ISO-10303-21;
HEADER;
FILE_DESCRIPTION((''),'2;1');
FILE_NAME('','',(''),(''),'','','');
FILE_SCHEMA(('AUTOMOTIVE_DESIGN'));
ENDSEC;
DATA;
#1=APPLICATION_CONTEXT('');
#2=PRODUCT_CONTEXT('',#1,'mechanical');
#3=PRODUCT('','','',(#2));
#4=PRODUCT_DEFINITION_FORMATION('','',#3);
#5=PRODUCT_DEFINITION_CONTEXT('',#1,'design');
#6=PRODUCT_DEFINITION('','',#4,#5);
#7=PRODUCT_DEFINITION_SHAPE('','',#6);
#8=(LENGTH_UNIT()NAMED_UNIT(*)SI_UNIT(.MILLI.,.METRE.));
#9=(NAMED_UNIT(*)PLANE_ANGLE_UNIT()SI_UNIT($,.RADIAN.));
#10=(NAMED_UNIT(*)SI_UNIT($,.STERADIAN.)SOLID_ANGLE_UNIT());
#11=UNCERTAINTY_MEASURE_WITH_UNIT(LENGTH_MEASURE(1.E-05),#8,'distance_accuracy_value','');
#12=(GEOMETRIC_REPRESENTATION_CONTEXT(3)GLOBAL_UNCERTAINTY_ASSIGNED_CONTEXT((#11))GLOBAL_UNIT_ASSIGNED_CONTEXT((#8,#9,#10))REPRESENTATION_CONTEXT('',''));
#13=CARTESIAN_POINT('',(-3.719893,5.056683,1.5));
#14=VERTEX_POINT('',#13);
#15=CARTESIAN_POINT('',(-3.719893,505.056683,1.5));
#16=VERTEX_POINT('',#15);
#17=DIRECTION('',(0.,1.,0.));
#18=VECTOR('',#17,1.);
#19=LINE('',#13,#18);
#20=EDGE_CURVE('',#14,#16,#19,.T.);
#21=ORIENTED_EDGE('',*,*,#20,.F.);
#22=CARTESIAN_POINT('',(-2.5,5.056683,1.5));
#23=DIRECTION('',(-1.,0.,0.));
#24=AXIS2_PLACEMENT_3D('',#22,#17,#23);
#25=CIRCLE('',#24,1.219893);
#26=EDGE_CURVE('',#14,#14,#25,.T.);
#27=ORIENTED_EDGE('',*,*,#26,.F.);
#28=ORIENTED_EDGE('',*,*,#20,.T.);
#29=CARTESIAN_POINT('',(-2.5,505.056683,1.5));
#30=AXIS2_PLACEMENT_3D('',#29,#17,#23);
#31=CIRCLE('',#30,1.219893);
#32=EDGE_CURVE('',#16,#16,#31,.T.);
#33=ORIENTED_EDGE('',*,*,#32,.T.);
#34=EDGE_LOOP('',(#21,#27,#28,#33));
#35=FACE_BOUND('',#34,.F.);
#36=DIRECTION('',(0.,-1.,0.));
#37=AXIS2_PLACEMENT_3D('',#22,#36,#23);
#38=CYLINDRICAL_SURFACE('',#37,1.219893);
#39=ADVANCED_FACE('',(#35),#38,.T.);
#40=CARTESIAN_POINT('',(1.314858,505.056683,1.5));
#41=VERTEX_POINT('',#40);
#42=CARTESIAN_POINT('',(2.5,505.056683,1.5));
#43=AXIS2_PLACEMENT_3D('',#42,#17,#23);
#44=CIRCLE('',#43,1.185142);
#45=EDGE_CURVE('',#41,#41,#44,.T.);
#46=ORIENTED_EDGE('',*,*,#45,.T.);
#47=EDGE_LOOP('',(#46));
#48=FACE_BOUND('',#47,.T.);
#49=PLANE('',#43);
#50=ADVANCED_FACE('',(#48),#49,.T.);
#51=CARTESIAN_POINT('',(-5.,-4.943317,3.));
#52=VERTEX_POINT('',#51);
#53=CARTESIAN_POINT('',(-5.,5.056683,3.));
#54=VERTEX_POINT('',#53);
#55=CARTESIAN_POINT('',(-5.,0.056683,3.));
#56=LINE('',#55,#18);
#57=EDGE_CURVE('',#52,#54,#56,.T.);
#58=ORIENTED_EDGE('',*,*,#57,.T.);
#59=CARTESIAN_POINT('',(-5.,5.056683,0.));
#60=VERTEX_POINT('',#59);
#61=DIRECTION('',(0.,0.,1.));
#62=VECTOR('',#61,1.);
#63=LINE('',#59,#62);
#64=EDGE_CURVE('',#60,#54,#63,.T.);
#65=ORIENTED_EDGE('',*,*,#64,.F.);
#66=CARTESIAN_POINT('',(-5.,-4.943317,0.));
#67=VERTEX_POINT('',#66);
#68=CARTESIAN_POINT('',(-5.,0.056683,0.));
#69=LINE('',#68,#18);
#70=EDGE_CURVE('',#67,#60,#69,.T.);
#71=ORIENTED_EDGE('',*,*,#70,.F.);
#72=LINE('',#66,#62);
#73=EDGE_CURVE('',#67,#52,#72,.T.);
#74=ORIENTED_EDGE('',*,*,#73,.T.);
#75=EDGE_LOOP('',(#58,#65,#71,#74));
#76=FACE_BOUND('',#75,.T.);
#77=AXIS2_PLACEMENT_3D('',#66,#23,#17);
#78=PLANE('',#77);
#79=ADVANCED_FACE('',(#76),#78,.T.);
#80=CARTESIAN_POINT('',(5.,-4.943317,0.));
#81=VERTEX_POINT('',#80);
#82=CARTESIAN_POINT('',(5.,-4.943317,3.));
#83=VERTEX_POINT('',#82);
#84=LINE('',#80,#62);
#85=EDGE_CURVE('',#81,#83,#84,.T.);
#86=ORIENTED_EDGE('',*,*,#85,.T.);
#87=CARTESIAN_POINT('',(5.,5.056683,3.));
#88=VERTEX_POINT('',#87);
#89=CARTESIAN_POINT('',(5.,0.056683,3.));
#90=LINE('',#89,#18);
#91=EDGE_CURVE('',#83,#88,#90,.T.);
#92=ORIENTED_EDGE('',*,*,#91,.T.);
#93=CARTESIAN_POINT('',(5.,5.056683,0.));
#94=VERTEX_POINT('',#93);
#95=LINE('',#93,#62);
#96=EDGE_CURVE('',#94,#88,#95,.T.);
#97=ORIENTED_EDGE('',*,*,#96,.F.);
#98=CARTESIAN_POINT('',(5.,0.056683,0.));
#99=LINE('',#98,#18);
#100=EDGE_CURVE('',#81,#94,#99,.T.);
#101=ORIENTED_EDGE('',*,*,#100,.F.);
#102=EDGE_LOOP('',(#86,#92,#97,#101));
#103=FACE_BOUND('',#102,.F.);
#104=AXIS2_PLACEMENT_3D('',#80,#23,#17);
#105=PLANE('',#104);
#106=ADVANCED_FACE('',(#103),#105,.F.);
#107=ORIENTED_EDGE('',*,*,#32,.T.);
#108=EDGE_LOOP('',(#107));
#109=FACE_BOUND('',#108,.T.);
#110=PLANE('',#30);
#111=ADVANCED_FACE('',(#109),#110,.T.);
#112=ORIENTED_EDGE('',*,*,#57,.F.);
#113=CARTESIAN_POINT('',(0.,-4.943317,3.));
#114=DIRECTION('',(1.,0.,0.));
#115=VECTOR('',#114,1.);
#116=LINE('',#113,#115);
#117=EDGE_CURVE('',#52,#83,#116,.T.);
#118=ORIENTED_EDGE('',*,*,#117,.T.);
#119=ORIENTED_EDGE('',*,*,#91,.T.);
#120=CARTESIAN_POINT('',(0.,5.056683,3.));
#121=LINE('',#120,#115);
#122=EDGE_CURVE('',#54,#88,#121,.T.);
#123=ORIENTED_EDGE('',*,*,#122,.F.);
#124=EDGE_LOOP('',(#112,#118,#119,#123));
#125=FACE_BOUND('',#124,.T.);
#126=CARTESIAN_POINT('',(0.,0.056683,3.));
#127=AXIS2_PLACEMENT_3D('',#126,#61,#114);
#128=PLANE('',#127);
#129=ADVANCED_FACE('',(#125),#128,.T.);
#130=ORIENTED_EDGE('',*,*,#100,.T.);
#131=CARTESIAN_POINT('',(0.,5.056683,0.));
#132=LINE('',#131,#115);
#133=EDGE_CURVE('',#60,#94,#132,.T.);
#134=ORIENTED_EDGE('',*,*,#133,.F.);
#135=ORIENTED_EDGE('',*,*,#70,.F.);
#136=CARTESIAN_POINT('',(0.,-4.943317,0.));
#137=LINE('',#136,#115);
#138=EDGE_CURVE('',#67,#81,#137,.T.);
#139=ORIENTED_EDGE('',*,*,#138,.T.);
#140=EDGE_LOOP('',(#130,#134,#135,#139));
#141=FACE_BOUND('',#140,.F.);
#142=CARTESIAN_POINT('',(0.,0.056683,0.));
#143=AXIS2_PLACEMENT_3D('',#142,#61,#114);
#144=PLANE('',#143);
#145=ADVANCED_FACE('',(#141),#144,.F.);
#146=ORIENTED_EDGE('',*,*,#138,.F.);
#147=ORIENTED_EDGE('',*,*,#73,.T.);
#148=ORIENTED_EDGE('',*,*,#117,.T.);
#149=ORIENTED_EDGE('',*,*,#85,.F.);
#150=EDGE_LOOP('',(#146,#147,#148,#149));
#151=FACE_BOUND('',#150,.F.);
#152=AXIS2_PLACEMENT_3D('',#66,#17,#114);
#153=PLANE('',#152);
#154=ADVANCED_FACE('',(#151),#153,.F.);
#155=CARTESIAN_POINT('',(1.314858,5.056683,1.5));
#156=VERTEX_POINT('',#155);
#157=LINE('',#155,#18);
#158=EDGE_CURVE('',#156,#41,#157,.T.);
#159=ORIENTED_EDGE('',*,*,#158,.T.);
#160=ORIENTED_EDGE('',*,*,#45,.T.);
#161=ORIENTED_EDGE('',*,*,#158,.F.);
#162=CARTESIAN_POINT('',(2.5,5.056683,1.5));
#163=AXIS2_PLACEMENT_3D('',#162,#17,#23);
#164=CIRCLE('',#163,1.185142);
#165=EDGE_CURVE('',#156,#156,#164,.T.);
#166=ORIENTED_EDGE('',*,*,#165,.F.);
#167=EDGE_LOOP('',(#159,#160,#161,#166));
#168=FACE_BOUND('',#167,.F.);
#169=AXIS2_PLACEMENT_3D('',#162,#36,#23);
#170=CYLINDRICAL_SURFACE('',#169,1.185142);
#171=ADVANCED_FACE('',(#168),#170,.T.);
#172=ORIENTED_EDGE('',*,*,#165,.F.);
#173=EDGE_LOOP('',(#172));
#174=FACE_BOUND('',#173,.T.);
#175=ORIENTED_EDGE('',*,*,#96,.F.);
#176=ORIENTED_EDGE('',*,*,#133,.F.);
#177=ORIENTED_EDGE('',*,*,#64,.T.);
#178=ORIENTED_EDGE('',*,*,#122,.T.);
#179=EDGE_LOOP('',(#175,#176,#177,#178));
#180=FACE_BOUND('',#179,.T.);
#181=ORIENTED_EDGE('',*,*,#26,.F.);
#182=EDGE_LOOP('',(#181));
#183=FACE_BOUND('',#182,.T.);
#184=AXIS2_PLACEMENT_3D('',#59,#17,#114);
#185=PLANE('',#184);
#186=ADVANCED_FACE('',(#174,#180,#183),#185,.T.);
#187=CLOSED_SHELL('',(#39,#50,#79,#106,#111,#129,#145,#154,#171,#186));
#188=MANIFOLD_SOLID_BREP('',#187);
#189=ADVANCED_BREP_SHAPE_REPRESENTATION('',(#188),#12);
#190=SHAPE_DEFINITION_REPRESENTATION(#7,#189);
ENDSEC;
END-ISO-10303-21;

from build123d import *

# Parameters (mm, degrees)
F0_W     = 10
F0_H     = 10
F1_DEPTH = 3
F2_R     = 1.185142
F2_R_2   = 1.219893
F3_DEPTH = 500


with BuildPart() as f1:
    # F0 (on Top) → F1 (new body)
    with BuildSketch(Plane.XY):
        with Locations((0, 0.056683)):
            Rectangle(F0_W, F0_H)
    extrude(amount=F1_DEPTH)

    # F2 (on face) → F3 (join)
    with BuildSketch(Plane(origin=(0, 5.056683, 0), x_dir=(-1, 0, 0), z_dir=(0, 1, 0))):
        with Locations((-2.5, 1.5)):
            Circle(F2_R)
        with Locations((2.5, 1.5)):
            Circle(F2_R_2)
    extrude(amount=F3_DEPTH)


solid = f1.part
